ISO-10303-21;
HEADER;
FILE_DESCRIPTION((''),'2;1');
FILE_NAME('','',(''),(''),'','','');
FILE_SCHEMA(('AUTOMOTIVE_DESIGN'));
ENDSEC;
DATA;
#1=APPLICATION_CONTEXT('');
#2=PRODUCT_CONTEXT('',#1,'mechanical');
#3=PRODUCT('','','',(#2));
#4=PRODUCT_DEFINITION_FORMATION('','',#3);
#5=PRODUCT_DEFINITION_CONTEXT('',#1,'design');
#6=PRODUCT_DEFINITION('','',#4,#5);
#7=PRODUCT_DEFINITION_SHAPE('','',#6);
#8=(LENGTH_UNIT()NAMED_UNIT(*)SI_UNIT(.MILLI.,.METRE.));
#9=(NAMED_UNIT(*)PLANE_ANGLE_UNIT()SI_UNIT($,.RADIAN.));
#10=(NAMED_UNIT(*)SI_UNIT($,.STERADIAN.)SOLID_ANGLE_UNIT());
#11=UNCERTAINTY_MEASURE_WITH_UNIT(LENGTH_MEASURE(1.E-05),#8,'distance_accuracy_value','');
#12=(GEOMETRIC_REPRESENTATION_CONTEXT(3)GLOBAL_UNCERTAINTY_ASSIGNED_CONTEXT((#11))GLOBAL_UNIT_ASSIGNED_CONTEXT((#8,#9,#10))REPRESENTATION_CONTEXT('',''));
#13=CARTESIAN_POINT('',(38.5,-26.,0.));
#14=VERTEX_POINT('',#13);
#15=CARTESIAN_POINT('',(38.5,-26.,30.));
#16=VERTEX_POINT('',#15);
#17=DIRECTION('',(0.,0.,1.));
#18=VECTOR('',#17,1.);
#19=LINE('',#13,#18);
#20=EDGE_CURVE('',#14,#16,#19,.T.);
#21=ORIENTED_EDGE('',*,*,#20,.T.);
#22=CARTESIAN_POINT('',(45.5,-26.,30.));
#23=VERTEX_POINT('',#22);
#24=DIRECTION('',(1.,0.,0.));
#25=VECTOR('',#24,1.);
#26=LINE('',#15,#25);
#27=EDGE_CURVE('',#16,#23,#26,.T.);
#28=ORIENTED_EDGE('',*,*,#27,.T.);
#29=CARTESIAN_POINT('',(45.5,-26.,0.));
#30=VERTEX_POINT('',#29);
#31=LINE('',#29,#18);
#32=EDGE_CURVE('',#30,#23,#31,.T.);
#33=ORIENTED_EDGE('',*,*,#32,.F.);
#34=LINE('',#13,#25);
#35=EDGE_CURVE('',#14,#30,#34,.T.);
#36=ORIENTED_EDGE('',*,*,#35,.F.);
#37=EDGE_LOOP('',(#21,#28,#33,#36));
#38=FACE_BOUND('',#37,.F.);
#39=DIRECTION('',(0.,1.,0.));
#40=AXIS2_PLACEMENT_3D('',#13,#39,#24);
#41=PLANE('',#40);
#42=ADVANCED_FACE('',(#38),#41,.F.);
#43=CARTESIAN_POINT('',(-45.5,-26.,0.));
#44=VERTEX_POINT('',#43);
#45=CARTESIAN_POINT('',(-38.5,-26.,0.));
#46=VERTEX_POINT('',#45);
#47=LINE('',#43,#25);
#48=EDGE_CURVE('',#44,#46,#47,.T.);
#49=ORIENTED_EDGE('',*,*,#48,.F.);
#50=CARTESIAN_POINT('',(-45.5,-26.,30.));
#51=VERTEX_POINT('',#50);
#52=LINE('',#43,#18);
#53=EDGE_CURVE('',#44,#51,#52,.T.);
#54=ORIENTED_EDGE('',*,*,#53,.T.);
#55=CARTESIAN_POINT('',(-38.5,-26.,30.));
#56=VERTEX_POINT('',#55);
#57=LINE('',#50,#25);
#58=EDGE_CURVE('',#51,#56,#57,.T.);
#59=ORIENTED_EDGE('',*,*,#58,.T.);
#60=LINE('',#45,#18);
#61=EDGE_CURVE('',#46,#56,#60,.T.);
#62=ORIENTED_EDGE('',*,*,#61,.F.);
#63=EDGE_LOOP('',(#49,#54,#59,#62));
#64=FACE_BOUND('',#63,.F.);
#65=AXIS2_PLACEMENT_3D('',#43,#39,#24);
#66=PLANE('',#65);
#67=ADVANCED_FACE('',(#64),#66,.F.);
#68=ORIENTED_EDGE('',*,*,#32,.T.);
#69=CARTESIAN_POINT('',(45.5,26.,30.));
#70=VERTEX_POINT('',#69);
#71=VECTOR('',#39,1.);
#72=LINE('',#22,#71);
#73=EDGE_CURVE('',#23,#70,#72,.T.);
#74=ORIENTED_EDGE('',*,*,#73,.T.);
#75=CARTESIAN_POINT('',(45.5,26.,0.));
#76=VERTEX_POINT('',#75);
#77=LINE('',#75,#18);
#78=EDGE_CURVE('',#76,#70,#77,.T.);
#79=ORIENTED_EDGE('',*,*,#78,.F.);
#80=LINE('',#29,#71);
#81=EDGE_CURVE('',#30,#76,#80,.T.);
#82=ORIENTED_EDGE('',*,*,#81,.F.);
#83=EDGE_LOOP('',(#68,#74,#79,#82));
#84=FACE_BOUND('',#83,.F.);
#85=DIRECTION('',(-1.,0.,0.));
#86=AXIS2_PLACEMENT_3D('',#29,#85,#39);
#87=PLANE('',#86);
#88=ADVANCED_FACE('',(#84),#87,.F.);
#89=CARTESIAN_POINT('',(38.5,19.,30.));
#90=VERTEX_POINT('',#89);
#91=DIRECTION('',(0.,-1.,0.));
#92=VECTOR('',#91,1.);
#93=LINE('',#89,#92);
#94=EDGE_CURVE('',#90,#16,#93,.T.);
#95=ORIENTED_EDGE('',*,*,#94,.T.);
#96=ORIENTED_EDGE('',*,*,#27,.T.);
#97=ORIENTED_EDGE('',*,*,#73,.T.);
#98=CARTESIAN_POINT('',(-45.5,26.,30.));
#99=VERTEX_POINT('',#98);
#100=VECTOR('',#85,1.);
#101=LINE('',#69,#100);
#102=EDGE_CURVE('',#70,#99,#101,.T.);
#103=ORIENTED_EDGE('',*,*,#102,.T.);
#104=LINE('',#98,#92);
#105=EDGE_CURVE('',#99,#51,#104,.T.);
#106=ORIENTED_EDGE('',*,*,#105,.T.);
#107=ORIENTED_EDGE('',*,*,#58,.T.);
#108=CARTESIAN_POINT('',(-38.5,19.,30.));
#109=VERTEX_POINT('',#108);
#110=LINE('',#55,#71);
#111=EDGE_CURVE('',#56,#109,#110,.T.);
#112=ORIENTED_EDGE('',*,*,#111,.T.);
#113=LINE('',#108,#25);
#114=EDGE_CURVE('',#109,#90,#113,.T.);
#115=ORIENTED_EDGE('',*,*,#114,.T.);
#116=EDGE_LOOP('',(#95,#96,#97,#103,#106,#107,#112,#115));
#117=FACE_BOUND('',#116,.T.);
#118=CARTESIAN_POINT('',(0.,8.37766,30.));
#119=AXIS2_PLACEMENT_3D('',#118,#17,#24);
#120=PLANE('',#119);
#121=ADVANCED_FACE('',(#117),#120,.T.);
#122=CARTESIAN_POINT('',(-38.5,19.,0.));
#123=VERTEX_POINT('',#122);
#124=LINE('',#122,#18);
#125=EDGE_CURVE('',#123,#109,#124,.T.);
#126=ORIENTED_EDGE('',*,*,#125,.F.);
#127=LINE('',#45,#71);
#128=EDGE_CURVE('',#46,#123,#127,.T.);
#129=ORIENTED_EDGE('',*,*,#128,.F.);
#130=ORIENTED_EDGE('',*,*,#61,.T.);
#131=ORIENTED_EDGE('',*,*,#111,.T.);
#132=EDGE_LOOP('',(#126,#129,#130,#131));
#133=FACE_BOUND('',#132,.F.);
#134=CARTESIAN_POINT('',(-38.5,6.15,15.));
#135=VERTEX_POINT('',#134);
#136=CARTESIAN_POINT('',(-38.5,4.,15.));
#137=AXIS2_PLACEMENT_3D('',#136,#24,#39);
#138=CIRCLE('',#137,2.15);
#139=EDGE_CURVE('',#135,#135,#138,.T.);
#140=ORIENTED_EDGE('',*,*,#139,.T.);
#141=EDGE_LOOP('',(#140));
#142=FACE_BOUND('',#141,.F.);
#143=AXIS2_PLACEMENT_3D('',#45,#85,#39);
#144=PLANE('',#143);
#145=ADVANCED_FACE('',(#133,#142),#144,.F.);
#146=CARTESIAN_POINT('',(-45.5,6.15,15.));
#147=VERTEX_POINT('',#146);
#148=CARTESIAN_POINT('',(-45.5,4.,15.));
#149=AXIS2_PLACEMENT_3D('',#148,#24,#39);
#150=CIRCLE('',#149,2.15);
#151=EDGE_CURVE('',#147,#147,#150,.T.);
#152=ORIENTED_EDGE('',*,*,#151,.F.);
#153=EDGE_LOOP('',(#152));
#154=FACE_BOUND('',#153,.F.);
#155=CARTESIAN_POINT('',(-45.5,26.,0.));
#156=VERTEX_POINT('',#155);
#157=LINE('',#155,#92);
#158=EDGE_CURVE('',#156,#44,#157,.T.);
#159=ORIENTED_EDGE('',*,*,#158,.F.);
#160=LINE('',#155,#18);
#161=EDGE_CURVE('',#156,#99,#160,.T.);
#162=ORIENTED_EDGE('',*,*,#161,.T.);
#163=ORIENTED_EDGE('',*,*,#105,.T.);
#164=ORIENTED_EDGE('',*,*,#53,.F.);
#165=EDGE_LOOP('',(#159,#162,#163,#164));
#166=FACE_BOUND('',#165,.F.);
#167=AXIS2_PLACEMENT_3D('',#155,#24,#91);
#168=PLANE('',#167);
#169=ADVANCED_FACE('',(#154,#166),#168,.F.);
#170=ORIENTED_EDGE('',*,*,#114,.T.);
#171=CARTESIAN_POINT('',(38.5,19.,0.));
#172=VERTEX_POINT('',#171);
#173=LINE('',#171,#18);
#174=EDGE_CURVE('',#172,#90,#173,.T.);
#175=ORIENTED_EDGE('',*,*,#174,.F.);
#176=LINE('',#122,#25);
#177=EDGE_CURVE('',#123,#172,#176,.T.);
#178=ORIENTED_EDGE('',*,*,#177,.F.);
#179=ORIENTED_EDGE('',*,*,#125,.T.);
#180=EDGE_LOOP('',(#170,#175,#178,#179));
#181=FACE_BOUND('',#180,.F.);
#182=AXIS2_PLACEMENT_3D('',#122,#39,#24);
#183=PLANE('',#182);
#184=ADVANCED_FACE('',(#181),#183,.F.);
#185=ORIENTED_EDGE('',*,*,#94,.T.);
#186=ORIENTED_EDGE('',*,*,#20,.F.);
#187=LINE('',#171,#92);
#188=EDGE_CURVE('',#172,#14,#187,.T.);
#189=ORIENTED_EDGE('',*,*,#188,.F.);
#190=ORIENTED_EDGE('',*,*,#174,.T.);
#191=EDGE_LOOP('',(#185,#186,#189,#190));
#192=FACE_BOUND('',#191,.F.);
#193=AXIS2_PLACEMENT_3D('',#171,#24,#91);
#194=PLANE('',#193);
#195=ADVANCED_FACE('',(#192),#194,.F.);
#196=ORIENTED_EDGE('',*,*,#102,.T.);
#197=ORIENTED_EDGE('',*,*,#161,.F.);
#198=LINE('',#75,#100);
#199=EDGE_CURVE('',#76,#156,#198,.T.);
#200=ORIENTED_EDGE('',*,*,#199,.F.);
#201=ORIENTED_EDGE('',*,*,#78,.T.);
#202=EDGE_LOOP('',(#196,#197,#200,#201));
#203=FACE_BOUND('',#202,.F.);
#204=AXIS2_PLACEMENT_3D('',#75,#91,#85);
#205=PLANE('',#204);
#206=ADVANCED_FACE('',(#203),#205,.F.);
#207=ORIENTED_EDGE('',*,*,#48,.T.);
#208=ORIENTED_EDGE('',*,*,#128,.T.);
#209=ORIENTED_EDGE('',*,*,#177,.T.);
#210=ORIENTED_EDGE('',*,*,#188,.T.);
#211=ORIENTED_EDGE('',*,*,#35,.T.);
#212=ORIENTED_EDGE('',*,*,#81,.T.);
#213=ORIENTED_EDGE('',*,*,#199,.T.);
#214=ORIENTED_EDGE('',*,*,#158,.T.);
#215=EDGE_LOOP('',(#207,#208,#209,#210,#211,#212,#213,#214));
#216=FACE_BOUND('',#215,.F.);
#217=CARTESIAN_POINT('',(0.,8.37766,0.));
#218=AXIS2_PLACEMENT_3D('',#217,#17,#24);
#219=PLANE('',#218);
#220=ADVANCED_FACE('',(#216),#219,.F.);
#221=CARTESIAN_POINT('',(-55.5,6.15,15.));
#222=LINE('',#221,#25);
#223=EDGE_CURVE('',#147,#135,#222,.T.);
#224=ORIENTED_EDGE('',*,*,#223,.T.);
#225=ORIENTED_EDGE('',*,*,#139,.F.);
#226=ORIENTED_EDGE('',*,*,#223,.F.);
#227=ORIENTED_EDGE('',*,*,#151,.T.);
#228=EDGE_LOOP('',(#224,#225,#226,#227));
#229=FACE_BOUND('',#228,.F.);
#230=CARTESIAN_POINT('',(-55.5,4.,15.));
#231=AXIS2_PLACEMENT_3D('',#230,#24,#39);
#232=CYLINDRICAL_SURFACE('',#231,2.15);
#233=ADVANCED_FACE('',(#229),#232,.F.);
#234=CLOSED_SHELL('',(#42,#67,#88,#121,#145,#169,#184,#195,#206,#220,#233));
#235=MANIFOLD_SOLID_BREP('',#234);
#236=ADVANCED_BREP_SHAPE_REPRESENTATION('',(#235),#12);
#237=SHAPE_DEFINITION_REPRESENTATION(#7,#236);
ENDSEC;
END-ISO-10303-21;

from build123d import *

# Parameters (mm, degrees)
F1_DEPTH = 30
F3_D     = 4.3
F3_DEPTH = 10


with BuildPart() as f1:
    # F0 (on Top) → F1 (new body)
    with BuildSketch(Plane.XY):
        Polygon((45.5, 26), (-45.5, 26), (-45.5, -26), (-38.5, -26), (-38.5, 19), (38.5, 19), (38.5, -26), (45.5, -26), align=None)
    extrude(amount=F1_DEPTH)

    # F3
    with Locations(Plane(origin=(-45.5, 0, 0), x_dir=(0, -1, 0), z_dir=(-1, 0, 0))):
        with Locations((-4, 15)):
            Hole(F3_D / 2, depth=F3_DEPTH)


solid = f1.part
